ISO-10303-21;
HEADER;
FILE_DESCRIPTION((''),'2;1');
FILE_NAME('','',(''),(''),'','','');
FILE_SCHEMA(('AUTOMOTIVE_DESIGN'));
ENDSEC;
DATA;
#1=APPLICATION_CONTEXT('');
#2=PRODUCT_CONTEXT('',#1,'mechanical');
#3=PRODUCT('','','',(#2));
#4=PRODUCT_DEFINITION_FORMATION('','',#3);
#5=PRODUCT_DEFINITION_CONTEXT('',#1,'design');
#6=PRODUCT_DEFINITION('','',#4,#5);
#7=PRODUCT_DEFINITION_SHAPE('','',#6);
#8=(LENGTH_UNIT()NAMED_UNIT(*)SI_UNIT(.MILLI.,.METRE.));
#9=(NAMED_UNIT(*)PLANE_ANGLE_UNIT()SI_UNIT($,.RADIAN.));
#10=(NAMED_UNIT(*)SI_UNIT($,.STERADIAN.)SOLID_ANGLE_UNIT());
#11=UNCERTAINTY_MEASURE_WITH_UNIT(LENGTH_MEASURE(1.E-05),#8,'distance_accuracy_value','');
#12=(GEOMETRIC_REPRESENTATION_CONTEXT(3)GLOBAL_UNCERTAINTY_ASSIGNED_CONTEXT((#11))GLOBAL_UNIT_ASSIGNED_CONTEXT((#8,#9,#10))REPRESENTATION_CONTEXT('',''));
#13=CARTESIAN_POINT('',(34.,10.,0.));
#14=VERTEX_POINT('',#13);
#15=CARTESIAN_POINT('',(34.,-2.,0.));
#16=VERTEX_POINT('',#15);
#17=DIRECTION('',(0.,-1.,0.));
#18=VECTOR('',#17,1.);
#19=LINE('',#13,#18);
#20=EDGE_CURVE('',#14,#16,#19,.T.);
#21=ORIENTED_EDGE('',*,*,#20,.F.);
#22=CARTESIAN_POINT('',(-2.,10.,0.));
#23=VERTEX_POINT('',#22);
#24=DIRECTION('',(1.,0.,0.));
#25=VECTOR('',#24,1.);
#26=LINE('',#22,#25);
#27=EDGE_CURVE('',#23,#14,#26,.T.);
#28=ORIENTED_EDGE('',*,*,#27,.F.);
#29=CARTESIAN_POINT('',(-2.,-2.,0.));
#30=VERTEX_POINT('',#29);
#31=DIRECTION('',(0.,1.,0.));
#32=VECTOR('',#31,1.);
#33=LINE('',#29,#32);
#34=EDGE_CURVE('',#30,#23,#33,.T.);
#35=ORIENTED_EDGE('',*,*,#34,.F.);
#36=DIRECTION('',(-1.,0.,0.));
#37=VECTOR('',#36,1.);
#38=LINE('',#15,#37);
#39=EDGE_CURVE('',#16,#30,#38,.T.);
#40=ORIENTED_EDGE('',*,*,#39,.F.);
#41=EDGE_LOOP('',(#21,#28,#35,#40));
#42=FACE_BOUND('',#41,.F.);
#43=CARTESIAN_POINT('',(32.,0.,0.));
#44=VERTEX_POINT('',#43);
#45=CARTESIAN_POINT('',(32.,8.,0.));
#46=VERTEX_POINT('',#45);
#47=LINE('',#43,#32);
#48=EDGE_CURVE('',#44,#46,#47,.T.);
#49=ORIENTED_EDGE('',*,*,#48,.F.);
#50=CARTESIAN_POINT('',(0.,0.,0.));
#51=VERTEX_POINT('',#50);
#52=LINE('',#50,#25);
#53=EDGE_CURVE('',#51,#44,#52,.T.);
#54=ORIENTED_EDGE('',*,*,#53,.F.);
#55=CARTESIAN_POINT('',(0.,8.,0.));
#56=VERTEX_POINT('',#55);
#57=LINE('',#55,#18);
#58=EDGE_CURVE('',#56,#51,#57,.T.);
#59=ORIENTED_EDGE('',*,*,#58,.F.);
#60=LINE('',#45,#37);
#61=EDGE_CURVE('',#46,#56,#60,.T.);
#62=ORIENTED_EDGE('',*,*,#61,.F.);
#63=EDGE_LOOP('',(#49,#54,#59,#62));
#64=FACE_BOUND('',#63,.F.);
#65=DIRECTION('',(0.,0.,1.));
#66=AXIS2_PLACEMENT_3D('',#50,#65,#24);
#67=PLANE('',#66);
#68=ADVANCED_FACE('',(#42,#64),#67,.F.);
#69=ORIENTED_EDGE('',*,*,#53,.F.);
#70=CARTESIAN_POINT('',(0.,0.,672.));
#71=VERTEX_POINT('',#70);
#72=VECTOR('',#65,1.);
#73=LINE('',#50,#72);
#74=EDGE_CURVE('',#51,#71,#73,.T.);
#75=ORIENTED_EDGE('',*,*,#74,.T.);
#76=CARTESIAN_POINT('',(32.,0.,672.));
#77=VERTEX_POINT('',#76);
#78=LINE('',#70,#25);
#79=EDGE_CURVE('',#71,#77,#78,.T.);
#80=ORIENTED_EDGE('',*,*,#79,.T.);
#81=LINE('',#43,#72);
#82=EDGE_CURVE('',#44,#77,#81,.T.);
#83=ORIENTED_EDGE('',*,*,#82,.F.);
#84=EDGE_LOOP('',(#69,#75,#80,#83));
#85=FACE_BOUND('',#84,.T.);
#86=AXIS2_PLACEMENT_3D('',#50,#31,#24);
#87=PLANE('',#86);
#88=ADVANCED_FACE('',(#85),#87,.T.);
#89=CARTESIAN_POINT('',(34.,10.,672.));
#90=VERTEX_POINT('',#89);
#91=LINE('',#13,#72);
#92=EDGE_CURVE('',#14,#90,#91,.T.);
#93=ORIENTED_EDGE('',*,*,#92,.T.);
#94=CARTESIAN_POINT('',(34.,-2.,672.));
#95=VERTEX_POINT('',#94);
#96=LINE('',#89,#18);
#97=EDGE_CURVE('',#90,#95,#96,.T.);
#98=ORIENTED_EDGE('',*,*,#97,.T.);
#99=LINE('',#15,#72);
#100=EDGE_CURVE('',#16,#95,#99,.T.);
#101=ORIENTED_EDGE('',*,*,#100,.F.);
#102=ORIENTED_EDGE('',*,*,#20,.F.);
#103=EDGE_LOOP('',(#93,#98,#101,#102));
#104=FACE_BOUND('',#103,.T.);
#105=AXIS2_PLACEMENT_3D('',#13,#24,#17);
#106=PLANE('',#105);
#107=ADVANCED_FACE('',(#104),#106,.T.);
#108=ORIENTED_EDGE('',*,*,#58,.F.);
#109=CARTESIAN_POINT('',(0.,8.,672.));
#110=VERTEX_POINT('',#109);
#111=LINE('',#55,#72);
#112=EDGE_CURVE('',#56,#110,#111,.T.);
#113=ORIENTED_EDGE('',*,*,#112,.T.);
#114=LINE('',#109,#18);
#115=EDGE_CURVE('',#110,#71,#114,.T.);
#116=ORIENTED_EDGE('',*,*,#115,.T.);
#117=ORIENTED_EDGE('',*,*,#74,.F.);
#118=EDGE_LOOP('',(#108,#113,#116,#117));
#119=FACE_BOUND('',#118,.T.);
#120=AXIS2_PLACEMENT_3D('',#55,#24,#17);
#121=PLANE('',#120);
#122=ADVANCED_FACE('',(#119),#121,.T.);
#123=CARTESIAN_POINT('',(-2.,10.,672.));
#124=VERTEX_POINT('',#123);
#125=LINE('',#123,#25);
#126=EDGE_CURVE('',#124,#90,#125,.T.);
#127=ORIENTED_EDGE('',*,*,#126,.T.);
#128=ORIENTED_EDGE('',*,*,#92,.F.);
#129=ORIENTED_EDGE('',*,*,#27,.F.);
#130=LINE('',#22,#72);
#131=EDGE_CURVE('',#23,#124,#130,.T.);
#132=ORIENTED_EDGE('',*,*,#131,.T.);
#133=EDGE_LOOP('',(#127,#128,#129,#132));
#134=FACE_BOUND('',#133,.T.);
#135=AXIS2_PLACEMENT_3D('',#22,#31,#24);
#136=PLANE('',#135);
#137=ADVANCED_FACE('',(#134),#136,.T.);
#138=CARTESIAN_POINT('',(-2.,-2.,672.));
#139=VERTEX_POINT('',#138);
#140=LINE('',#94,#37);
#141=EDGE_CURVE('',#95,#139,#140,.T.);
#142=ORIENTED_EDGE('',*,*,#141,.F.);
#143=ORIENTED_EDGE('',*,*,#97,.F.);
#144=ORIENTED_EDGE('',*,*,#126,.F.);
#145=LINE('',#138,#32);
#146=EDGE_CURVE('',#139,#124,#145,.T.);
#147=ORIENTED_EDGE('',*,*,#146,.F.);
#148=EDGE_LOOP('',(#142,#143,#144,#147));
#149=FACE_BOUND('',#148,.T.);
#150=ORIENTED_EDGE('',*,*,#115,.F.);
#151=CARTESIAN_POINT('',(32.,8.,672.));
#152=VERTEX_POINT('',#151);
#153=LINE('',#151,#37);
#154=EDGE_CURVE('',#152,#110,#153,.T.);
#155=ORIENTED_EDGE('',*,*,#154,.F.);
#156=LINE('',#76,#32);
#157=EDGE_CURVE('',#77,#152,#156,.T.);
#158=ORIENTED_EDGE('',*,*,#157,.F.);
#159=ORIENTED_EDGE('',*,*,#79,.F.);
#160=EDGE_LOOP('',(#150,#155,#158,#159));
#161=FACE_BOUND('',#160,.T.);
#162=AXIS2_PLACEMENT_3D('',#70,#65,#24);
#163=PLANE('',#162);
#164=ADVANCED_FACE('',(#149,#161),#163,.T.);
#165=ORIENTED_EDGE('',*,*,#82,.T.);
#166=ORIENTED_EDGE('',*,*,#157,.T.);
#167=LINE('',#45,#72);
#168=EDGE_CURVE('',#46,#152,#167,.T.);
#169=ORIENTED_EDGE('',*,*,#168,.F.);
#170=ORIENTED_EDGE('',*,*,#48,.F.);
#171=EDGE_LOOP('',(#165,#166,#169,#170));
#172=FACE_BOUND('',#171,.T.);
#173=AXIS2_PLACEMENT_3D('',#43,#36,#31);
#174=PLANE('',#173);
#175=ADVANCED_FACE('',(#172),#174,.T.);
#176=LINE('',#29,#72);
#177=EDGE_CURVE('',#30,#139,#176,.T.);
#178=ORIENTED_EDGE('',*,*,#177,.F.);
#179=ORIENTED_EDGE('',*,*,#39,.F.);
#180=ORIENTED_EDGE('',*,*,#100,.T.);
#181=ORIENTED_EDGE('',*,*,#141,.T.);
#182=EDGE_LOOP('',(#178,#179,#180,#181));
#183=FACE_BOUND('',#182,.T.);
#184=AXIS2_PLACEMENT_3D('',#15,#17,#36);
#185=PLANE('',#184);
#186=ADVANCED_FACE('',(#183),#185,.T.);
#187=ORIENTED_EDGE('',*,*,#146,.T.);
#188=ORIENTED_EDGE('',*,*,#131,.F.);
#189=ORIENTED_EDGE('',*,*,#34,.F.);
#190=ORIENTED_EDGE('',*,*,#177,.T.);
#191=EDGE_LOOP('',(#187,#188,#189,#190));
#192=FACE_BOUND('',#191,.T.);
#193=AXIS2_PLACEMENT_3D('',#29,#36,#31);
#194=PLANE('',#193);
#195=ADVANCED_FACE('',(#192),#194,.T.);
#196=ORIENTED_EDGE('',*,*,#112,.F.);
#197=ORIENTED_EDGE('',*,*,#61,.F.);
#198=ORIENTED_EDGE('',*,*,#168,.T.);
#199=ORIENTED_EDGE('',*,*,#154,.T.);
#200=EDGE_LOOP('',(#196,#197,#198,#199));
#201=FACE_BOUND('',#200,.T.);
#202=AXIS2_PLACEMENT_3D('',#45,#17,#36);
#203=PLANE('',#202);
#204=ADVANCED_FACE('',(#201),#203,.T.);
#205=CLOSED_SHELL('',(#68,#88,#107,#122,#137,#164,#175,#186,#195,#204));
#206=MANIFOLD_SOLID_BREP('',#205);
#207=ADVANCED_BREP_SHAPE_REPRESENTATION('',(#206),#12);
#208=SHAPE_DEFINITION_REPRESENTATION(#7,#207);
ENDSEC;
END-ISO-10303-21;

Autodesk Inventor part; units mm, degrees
ref_plane "YZ Plane" through (0, 0, 0) normal (1, 0, 0) x (0, 1, 0)
ref_plane "XZ Plane" through (0, 0, 0) normal (0, 1, 0) x (-1, 0, 0)
ref_plane "XY Plane" through (0, 0, 0) normal (0, 0, 1) x (1, 0, 0)
sketch "Sketch1" plane through (0, 0, 0) normal (0, 0, 1) x (1, 0, 0)
  line L0 (0, 0) -> (32, 0)
  line L1 (32, 0) -> (32, 8)
  line L2 (32, 8) -> (0, 8)
  line L3 (0, 8) -> (0, 0)
  line L4 (-2, 10) -> (34, 10)
  line L5 (34, 10) -> (34, -2)
  line L6 (34, -2) -> (-2, -2)
  line L7 (-2, -2) -> (-2, 10)
  dimension "d0" = 32
  dimension "d1" = 8
  dimension "d2" = 2
  dimension "d3" = 2
  dimension "d4" = 2
  dimension "d5" = 2
extrude "Extrusion1" add sketch "Sketch1" along normal blind 672
properties part number "prototype1"
